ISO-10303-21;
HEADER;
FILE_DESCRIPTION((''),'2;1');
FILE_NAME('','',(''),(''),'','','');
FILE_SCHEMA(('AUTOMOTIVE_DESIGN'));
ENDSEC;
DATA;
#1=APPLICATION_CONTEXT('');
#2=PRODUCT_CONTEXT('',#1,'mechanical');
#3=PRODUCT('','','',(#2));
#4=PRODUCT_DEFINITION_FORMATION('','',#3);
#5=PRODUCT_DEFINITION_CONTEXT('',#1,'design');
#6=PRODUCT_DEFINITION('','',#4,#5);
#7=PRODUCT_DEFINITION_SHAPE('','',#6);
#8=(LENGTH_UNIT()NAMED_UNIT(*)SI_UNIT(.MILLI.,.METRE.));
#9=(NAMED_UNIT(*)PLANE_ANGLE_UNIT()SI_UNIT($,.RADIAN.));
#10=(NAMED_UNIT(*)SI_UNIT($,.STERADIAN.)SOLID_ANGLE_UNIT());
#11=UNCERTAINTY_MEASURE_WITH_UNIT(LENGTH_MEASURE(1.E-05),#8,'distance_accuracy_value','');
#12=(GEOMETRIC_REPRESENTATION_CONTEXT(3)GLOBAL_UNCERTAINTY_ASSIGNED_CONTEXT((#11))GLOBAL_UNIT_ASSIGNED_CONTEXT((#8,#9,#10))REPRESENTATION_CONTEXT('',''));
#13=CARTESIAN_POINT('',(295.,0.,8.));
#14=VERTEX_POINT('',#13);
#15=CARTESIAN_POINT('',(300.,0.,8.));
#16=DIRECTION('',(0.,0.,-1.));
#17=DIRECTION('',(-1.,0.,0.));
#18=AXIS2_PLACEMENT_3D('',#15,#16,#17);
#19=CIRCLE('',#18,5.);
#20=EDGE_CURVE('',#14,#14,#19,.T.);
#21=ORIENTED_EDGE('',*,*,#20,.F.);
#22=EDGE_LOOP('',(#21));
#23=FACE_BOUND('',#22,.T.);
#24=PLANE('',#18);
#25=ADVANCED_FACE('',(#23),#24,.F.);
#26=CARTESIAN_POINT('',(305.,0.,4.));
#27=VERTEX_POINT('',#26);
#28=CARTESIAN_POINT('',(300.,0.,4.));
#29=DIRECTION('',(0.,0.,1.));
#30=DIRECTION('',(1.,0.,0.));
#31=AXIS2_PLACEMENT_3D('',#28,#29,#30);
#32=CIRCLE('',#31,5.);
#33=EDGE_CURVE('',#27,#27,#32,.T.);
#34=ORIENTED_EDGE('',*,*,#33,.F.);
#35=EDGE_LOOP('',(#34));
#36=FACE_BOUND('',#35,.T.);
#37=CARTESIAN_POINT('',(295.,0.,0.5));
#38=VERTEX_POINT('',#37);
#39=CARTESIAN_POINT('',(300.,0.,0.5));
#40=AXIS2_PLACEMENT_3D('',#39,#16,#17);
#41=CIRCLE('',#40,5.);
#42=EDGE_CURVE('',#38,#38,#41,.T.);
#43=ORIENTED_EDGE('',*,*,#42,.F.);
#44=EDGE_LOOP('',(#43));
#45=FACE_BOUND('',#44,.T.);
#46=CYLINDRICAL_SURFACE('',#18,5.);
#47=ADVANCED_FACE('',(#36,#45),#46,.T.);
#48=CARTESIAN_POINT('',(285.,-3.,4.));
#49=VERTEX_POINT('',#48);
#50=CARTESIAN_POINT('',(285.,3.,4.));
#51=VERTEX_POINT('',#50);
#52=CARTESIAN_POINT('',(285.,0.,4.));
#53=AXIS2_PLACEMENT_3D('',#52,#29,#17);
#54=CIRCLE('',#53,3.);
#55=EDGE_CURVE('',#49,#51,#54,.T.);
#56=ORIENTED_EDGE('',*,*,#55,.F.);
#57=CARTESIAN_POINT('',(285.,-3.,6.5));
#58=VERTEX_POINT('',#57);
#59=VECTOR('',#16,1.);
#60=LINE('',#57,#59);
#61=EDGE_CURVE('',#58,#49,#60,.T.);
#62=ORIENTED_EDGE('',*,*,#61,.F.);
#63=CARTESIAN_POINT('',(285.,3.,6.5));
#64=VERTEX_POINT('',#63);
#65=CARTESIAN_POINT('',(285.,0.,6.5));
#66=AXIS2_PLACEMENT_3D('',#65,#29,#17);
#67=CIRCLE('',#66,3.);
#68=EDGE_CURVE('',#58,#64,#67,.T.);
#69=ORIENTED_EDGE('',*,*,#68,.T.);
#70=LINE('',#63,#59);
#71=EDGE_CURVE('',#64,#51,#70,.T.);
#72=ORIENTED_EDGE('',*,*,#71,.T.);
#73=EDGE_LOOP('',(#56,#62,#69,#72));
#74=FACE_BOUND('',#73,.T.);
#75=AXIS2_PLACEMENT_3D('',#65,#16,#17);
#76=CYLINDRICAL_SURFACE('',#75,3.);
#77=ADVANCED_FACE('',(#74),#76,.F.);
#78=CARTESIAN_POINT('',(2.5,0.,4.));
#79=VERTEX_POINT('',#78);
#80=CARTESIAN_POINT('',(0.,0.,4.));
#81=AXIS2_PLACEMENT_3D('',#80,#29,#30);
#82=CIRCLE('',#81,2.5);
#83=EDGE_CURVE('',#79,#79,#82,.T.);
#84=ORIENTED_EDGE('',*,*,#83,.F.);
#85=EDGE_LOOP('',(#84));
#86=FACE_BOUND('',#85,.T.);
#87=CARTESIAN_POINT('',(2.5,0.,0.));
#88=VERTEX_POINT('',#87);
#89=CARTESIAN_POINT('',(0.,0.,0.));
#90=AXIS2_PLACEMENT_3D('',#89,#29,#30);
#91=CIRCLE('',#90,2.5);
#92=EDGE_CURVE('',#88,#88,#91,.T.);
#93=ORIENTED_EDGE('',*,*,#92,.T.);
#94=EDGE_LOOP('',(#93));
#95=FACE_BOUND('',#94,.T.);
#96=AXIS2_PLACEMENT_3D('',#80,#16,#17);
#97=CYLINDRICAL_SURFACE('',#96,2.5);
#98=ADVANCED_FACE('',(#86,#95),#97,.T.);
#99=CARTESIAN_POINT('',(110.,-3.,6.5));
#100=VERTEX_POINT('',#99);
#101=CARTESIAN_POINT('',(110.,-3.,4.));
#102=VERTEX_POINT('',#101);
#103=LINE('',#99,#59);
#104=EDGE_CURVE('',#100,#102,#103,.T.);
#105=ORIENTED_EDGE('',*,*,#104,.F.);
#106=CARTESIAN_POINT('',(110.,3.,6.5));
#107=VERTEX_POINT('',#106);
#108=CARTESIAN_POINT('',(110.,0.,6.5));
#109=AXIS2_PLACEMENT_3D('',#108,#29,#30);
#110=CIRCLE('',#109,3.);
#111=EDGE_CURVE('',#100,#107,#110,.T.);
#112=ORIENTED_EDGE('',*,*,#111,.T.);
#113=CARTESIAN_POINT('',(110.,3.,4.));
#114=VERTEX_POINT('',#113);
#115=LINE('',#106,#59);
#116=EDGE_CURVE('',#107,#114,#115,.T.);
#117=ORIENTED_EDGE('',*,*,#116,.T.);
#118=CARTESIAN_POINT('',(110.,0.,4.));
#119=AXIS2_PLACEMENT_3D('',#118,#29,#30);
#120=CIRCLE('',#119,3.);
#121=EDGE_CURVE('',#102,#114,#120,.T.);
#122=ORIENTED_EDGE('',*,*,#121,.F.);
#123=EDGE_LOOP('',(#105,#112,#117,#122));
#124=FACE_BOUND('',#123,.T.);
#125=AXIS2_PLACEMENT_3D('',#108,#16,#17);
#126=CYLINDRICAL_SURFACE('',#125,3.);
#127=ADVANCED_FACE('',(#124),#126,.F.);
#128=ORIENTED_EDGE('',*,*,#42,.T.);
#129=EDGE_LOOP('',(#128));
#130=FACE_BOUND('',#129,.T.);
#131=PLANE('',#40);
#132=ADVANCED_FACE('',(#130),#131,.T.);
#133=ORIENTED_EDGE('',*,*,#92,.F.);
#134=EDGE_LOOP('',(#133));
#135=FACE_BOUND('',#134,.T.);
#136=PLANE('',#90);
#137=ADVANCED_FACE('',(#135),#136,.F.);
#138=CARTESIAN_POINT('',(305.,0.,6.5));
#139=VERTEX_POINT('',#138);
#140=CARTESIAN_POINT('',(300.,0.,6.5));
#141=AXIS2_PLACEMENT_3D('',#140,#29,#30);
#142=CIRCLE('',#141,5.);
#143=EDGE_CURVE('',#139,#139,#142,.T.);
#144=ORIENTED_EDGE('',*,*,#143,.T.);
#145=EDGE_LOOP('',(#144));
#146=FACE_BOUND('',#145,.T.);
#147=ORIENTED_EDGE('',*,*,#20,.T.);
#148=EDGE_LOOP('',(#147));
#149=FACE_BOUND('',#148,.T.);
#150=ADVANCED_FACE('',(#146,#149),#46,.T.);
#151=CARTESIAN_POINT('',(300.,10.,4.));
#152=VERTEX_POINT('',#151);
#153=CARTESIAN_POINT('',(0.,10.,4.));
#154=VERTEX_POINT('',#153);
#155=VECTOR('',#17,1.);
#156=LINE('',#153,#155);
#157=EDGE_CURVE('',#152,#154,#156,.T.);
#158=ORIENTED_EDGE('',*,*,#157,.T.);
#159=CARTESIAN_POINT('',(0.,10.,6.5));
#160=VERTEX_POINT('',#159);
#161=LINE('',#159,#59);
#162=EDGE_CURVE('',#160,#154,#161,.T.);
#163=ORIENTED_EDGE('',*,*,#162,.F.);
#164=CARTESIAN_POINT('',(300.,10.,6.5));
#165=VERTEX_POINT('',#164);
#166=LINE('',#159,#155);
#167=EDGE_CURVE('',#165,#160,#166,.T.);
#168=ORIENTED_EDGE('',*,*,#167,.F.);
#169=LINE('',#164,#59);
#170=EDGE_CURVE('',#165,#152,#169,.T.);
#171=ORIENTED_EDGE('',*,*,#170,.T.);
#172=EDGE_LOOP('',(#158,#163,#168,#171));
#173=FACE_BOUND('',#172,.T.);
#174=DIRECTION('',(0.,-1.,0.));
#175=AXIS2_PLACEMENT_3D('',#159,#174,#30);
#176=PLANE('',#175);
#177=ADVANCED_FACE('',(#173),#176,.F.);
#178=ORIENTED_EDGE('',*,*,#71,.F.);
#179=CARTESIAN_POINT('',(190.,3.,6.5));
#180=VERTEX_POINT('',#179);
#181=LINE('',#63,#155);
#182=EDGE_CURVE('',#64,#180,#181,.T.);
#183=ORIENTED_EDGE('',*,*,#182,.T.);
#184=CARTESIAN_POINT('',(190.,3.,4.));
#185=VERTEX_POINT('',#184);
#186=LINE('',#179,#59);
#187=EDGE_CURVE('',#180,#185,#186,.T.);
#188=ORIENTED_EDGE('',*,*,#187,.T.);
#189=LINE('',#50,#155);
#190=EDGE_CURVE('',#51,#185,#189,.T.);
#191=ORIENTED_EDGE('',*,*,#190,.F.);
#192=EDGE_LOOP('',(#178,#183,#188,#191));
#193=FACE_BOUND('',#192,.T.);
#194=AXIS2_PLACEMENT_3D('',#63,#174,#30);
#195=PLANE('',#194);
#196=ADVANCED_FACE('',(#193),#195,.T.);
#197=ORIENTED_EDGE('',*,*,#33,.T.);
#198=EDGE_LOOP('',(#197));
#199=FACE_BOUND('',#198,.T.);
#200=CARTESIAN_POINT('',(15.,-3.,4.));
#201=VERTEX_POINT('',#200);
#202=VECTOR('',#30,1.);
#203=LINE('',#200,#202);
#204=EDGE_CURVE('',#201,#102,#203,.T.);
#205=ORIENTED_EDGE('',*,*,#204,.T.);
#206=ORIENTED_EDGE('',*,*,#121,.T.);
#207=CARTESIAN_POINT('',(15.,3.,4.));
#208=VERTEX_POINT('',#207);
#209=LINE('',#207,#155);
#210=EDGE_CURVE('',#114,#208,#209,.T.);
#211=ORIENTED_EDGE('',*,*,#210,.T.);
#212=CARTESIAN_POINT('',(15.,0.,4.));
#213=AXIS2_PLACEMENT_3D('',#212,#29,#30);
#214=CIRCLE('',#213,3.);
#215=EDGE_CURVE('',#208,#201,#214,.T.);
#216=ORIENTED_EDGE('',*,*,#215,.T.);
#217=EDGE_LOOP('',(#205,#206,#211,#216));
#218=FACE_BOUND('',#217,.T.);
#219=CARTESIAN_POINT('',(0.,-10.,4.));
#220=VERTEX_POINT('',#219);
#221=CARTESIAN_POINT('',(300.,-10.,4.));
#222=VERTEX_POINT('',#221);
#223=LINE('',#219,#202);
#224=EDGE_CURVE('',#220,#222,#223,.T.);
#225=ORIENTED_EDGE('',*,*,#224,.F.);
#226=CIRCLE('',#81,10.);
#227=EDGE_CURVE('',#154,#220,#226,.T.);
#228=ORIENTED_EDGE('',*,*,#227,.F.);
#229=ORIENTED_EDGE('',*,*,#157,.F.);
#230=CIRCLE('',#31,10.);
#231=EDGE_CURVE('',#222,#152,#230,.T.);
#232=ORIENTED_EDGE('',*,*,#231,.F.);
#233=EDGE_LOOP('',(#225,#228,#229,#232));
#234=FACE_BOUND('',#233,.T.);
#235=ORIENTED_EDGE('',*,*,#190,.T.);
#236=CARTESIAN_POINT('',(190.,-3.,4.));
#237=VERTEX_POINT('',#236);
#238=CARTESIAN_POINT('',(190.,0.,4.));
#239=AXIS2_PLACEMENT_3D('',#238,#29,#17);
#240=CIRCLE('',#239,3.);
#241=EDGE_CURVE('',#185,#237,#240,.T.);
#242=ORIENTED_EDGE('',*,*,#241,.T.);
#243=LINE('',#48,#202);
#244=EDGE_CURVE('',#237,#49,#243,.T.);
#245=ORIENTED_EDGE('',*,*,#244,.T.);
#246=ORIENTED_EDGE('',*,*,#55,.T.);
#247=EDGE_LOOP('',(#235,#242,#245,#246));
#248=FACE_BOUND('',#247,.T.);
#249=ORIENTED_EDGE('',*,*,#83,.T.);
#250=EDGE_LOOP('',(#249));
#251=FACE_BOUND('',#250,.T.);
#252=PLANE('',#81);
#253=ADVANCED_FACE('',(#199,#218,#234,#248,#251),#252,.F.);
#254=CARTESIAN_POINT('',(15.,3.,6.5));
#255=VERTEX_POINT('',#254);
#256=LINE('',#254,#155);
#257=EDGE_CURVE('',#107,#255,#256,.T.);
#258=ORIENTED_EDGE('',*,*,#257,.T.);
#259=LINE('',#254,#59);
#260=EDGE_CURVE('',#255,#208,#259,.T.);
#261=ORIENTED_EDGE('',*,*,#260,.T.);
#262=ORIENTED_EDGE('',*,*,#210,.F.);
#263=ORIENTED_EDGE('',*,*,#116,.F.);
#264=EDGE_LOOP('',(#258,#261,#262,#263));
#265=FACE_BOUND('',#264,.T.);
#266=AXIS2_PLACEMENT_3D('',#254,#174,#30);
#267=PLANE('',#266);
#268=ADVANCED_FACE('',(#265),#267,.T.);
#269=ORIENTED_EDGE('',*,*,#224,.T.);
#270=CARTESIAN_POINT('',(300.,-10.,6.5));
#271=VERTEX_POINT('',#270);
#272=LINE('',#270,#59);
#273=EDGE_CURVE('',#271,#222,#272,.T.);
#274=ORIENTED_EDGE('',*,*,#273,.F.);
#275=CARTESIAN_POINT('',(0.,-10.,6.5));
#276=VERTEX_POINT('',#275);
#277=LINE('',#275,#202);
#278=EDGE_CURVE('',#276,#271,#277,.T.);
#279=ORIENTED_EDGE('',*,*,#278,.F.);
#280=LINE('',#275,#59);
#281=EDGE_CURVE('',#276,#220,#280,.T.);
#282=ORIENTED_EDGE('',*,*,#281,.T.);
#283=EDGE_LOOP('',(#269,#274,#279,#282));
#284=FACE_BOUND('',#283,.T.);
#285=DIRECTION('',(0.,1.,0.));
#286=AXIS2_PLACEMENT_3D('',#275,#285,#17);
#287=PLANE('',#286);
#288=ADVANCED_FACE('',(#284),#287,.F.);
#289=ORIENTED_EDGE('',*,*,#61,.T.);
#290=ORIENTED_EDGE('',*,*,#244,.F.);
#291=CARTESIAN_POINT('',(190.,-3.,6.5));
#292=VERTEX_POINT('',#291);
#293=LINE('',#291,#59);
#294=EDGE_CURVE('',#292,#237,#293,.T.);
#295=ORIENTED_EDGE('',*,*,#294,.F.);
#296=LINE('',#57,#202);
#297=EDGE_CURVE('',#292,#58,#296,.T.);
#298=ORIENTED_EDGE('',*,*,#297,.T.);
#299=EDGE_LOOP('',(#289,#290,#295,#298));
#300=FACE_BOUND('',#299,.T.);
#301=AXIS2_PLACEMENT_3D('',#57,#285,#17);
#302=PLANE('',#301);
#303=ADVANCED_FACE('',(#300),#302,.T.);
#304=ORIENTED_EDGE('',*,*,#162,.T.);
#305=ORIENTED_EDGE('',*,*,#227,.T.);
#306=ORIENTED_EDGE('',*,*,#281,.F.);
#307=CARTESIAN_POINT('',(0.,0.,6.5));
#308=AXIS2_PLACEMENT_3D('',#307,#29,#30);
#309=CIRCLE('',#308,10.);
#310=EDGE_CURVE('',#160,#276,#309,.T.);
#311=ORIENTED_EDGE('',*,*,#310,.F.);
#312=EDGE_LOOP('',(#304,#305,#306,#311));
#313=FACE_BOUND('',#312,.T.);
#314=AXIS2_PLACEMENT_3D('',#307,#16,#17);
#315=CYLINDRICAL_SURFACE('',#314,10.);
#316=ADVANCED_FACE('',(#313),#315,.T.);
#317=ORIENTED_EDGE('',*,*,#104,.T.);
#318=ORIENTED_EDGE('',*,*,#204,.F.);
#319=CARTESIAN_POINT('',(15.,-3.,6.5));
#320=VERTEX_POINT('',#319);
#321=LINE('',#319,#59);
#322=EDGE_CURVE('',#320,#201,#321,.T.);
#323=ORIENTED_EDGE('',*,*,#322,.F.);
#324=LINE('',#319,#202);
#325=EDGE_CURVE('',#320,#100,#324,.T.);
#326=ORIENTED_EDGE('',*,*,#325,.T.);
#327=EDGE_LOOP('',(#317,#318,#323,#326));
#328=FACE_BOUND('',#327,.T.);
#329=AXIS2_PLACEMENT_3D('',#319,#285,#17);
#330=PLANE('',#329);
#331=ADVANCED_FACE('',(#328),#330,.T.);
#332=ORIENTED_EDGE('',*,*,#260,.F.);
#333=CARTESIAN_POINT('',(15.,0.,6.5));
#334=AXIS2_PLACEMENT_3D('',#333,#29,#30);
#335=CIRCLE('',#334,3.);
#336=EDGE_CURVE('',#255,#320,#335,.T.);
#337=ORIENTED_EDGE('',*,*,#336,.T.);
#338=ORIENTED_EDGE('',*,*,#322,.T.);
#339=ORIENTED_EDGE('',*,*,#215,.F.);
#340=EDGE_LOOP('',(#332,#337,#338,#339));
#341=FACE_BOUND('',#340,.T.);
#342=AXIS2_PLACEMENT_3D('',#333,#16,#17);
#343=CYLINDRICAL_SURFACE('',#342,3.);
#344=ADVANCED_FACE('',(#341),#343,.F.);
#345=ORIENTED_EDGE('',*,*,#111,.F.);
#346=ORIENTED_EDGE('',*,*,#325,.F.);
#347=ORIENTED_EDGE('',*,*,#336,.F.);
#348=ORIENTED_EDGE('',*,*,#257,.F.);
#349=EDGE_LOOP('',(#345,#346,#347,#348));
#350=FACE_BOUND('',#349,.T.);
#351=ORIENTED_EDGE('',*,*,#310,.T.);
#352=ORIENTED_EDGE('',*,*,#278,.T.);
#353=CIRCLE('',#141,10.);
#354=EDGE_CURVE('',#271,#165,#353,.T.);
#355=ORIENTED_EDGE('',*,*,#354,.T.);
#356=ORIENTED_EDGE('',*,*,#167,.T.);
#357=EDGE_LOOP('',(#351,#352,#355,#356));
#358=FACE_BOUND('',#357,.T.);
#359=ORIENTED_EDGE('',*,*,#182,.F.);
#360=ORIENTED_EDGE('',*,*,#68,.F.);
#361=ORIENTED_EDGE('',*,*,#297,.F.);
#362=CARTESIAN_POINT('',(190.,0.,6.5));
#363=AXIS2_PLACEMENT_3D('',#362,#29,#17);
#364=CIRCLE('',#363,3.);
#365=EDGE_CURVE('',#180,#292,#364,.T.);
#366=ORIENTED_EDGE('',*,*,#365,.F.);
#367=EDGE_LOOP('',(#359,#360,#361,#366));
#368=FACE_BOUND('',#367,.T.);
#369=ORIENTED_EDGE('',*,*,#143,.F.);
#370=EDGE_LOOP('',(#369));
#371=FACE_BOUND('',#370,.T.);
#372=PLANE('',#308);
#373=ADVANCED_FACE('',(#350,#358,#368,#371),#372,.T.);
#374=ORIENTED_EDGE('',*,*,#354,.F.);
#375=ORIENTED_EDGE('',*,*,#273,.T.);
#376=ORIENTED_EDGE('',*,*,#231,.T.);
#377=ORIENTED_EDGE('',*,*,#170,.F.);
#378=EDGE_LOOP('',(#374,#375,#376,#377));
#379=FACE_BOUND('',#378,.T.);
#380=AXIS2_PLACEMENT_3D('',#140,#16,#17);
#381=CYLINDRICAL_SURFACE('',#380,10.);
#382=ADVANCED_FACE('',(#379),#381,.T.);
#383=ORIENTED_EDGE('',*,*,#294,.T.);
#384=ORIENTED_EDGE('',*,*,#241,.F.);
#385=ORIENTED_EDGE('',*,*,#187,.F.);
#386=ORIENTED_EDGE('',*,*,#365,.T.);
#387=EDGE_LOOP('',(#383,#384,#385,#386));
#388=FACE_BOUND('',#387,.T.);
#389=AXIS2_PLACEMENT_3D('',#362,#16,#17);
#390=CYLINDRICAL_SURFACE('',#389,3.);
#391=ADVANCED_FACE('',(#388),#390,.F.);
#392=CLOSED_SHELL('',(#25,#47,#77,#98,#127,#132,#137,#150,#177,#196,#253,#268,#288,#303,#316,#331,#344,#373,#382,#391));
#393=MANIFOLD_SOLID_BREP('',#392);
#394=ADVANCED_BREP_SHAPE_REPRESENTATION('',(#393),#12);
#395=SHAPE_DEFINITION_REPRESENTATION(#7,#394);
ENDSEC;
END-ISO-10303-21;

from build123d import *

# Parameters (mm, degrees)
SKETCH1_R                = 2.5
BOSS_EXTRUDE1_DEPTH      = 4
BOSS_EXTRUDE3_DEPTH      = 2.5
BOSS_EXTRUDE4_DEPTH      = 3.5
BOSS_EXTRUDE4_DEPTH_BACK = 4
SKETCH5_R                = 5


with BuildPart() as part:
    # Sketch1 → Boss-Extrude1 (new body)
    with BuildSketch(Plane.XY):
        Circle(SKETCH1_R)
    extrude(amount=BOSS_EXTRUDE1_DEPTH)

    # Sketch3 → Boss-Extrude3 (add)
    with BuildSketch(Plane.XY.offset(4)):
        with BuildLine():
            Line((0, 10), (300, 10))
            ThreePointArc((300, 10), (310, 0), (300, -10))
            Line((300, -10), (0, -10))
            ThreePointArc((0, -10), (-10, 0), (0, 10))
        make_face()
        with BuildLine():
            Line((15, 3), (110, 3))
            ThreePointArc((110, 3), (113, 0), (110, -3))
            Line((110, -3), (15, -3))
            ThreePointArc((15, -3), (12, 0), (15, 3))
        make_face(mode=Mode.SUBTRACT)
        with BuildLine():
            Line((285, 3), (190, 3))
            ThreePointArc((190, 3), (187, 0), (190, -3))
            Line((190, -3), (285, -3))
            ThreePointArc((285, -3), (288, 0), (285, 3))
        make_face(mode=Mode.SUBTRACT)
    extrude(amount=BOSS_EXTRUDE3_DEPTH)

    # Sketch5 → Boss-Extrude4 (add, two sides: drawn at the far end of the back side and taken through both)
    with BuildSketch(Plane(origin=(0, 0, 4), x_dir=(-1, 0, 0), z_dir=(0, 0, -1)).offset(-BOSS_EXTRUDE4_DEPTH_BACK)):
        with Locations((-300, 0)):
            Circle(SKETCH5_R)
    extrude(amount=BOSS_EXTRUDE4_DEPTH + BOSS_EXTRUDE4_DEPTH_BACK)


solid = part.part
